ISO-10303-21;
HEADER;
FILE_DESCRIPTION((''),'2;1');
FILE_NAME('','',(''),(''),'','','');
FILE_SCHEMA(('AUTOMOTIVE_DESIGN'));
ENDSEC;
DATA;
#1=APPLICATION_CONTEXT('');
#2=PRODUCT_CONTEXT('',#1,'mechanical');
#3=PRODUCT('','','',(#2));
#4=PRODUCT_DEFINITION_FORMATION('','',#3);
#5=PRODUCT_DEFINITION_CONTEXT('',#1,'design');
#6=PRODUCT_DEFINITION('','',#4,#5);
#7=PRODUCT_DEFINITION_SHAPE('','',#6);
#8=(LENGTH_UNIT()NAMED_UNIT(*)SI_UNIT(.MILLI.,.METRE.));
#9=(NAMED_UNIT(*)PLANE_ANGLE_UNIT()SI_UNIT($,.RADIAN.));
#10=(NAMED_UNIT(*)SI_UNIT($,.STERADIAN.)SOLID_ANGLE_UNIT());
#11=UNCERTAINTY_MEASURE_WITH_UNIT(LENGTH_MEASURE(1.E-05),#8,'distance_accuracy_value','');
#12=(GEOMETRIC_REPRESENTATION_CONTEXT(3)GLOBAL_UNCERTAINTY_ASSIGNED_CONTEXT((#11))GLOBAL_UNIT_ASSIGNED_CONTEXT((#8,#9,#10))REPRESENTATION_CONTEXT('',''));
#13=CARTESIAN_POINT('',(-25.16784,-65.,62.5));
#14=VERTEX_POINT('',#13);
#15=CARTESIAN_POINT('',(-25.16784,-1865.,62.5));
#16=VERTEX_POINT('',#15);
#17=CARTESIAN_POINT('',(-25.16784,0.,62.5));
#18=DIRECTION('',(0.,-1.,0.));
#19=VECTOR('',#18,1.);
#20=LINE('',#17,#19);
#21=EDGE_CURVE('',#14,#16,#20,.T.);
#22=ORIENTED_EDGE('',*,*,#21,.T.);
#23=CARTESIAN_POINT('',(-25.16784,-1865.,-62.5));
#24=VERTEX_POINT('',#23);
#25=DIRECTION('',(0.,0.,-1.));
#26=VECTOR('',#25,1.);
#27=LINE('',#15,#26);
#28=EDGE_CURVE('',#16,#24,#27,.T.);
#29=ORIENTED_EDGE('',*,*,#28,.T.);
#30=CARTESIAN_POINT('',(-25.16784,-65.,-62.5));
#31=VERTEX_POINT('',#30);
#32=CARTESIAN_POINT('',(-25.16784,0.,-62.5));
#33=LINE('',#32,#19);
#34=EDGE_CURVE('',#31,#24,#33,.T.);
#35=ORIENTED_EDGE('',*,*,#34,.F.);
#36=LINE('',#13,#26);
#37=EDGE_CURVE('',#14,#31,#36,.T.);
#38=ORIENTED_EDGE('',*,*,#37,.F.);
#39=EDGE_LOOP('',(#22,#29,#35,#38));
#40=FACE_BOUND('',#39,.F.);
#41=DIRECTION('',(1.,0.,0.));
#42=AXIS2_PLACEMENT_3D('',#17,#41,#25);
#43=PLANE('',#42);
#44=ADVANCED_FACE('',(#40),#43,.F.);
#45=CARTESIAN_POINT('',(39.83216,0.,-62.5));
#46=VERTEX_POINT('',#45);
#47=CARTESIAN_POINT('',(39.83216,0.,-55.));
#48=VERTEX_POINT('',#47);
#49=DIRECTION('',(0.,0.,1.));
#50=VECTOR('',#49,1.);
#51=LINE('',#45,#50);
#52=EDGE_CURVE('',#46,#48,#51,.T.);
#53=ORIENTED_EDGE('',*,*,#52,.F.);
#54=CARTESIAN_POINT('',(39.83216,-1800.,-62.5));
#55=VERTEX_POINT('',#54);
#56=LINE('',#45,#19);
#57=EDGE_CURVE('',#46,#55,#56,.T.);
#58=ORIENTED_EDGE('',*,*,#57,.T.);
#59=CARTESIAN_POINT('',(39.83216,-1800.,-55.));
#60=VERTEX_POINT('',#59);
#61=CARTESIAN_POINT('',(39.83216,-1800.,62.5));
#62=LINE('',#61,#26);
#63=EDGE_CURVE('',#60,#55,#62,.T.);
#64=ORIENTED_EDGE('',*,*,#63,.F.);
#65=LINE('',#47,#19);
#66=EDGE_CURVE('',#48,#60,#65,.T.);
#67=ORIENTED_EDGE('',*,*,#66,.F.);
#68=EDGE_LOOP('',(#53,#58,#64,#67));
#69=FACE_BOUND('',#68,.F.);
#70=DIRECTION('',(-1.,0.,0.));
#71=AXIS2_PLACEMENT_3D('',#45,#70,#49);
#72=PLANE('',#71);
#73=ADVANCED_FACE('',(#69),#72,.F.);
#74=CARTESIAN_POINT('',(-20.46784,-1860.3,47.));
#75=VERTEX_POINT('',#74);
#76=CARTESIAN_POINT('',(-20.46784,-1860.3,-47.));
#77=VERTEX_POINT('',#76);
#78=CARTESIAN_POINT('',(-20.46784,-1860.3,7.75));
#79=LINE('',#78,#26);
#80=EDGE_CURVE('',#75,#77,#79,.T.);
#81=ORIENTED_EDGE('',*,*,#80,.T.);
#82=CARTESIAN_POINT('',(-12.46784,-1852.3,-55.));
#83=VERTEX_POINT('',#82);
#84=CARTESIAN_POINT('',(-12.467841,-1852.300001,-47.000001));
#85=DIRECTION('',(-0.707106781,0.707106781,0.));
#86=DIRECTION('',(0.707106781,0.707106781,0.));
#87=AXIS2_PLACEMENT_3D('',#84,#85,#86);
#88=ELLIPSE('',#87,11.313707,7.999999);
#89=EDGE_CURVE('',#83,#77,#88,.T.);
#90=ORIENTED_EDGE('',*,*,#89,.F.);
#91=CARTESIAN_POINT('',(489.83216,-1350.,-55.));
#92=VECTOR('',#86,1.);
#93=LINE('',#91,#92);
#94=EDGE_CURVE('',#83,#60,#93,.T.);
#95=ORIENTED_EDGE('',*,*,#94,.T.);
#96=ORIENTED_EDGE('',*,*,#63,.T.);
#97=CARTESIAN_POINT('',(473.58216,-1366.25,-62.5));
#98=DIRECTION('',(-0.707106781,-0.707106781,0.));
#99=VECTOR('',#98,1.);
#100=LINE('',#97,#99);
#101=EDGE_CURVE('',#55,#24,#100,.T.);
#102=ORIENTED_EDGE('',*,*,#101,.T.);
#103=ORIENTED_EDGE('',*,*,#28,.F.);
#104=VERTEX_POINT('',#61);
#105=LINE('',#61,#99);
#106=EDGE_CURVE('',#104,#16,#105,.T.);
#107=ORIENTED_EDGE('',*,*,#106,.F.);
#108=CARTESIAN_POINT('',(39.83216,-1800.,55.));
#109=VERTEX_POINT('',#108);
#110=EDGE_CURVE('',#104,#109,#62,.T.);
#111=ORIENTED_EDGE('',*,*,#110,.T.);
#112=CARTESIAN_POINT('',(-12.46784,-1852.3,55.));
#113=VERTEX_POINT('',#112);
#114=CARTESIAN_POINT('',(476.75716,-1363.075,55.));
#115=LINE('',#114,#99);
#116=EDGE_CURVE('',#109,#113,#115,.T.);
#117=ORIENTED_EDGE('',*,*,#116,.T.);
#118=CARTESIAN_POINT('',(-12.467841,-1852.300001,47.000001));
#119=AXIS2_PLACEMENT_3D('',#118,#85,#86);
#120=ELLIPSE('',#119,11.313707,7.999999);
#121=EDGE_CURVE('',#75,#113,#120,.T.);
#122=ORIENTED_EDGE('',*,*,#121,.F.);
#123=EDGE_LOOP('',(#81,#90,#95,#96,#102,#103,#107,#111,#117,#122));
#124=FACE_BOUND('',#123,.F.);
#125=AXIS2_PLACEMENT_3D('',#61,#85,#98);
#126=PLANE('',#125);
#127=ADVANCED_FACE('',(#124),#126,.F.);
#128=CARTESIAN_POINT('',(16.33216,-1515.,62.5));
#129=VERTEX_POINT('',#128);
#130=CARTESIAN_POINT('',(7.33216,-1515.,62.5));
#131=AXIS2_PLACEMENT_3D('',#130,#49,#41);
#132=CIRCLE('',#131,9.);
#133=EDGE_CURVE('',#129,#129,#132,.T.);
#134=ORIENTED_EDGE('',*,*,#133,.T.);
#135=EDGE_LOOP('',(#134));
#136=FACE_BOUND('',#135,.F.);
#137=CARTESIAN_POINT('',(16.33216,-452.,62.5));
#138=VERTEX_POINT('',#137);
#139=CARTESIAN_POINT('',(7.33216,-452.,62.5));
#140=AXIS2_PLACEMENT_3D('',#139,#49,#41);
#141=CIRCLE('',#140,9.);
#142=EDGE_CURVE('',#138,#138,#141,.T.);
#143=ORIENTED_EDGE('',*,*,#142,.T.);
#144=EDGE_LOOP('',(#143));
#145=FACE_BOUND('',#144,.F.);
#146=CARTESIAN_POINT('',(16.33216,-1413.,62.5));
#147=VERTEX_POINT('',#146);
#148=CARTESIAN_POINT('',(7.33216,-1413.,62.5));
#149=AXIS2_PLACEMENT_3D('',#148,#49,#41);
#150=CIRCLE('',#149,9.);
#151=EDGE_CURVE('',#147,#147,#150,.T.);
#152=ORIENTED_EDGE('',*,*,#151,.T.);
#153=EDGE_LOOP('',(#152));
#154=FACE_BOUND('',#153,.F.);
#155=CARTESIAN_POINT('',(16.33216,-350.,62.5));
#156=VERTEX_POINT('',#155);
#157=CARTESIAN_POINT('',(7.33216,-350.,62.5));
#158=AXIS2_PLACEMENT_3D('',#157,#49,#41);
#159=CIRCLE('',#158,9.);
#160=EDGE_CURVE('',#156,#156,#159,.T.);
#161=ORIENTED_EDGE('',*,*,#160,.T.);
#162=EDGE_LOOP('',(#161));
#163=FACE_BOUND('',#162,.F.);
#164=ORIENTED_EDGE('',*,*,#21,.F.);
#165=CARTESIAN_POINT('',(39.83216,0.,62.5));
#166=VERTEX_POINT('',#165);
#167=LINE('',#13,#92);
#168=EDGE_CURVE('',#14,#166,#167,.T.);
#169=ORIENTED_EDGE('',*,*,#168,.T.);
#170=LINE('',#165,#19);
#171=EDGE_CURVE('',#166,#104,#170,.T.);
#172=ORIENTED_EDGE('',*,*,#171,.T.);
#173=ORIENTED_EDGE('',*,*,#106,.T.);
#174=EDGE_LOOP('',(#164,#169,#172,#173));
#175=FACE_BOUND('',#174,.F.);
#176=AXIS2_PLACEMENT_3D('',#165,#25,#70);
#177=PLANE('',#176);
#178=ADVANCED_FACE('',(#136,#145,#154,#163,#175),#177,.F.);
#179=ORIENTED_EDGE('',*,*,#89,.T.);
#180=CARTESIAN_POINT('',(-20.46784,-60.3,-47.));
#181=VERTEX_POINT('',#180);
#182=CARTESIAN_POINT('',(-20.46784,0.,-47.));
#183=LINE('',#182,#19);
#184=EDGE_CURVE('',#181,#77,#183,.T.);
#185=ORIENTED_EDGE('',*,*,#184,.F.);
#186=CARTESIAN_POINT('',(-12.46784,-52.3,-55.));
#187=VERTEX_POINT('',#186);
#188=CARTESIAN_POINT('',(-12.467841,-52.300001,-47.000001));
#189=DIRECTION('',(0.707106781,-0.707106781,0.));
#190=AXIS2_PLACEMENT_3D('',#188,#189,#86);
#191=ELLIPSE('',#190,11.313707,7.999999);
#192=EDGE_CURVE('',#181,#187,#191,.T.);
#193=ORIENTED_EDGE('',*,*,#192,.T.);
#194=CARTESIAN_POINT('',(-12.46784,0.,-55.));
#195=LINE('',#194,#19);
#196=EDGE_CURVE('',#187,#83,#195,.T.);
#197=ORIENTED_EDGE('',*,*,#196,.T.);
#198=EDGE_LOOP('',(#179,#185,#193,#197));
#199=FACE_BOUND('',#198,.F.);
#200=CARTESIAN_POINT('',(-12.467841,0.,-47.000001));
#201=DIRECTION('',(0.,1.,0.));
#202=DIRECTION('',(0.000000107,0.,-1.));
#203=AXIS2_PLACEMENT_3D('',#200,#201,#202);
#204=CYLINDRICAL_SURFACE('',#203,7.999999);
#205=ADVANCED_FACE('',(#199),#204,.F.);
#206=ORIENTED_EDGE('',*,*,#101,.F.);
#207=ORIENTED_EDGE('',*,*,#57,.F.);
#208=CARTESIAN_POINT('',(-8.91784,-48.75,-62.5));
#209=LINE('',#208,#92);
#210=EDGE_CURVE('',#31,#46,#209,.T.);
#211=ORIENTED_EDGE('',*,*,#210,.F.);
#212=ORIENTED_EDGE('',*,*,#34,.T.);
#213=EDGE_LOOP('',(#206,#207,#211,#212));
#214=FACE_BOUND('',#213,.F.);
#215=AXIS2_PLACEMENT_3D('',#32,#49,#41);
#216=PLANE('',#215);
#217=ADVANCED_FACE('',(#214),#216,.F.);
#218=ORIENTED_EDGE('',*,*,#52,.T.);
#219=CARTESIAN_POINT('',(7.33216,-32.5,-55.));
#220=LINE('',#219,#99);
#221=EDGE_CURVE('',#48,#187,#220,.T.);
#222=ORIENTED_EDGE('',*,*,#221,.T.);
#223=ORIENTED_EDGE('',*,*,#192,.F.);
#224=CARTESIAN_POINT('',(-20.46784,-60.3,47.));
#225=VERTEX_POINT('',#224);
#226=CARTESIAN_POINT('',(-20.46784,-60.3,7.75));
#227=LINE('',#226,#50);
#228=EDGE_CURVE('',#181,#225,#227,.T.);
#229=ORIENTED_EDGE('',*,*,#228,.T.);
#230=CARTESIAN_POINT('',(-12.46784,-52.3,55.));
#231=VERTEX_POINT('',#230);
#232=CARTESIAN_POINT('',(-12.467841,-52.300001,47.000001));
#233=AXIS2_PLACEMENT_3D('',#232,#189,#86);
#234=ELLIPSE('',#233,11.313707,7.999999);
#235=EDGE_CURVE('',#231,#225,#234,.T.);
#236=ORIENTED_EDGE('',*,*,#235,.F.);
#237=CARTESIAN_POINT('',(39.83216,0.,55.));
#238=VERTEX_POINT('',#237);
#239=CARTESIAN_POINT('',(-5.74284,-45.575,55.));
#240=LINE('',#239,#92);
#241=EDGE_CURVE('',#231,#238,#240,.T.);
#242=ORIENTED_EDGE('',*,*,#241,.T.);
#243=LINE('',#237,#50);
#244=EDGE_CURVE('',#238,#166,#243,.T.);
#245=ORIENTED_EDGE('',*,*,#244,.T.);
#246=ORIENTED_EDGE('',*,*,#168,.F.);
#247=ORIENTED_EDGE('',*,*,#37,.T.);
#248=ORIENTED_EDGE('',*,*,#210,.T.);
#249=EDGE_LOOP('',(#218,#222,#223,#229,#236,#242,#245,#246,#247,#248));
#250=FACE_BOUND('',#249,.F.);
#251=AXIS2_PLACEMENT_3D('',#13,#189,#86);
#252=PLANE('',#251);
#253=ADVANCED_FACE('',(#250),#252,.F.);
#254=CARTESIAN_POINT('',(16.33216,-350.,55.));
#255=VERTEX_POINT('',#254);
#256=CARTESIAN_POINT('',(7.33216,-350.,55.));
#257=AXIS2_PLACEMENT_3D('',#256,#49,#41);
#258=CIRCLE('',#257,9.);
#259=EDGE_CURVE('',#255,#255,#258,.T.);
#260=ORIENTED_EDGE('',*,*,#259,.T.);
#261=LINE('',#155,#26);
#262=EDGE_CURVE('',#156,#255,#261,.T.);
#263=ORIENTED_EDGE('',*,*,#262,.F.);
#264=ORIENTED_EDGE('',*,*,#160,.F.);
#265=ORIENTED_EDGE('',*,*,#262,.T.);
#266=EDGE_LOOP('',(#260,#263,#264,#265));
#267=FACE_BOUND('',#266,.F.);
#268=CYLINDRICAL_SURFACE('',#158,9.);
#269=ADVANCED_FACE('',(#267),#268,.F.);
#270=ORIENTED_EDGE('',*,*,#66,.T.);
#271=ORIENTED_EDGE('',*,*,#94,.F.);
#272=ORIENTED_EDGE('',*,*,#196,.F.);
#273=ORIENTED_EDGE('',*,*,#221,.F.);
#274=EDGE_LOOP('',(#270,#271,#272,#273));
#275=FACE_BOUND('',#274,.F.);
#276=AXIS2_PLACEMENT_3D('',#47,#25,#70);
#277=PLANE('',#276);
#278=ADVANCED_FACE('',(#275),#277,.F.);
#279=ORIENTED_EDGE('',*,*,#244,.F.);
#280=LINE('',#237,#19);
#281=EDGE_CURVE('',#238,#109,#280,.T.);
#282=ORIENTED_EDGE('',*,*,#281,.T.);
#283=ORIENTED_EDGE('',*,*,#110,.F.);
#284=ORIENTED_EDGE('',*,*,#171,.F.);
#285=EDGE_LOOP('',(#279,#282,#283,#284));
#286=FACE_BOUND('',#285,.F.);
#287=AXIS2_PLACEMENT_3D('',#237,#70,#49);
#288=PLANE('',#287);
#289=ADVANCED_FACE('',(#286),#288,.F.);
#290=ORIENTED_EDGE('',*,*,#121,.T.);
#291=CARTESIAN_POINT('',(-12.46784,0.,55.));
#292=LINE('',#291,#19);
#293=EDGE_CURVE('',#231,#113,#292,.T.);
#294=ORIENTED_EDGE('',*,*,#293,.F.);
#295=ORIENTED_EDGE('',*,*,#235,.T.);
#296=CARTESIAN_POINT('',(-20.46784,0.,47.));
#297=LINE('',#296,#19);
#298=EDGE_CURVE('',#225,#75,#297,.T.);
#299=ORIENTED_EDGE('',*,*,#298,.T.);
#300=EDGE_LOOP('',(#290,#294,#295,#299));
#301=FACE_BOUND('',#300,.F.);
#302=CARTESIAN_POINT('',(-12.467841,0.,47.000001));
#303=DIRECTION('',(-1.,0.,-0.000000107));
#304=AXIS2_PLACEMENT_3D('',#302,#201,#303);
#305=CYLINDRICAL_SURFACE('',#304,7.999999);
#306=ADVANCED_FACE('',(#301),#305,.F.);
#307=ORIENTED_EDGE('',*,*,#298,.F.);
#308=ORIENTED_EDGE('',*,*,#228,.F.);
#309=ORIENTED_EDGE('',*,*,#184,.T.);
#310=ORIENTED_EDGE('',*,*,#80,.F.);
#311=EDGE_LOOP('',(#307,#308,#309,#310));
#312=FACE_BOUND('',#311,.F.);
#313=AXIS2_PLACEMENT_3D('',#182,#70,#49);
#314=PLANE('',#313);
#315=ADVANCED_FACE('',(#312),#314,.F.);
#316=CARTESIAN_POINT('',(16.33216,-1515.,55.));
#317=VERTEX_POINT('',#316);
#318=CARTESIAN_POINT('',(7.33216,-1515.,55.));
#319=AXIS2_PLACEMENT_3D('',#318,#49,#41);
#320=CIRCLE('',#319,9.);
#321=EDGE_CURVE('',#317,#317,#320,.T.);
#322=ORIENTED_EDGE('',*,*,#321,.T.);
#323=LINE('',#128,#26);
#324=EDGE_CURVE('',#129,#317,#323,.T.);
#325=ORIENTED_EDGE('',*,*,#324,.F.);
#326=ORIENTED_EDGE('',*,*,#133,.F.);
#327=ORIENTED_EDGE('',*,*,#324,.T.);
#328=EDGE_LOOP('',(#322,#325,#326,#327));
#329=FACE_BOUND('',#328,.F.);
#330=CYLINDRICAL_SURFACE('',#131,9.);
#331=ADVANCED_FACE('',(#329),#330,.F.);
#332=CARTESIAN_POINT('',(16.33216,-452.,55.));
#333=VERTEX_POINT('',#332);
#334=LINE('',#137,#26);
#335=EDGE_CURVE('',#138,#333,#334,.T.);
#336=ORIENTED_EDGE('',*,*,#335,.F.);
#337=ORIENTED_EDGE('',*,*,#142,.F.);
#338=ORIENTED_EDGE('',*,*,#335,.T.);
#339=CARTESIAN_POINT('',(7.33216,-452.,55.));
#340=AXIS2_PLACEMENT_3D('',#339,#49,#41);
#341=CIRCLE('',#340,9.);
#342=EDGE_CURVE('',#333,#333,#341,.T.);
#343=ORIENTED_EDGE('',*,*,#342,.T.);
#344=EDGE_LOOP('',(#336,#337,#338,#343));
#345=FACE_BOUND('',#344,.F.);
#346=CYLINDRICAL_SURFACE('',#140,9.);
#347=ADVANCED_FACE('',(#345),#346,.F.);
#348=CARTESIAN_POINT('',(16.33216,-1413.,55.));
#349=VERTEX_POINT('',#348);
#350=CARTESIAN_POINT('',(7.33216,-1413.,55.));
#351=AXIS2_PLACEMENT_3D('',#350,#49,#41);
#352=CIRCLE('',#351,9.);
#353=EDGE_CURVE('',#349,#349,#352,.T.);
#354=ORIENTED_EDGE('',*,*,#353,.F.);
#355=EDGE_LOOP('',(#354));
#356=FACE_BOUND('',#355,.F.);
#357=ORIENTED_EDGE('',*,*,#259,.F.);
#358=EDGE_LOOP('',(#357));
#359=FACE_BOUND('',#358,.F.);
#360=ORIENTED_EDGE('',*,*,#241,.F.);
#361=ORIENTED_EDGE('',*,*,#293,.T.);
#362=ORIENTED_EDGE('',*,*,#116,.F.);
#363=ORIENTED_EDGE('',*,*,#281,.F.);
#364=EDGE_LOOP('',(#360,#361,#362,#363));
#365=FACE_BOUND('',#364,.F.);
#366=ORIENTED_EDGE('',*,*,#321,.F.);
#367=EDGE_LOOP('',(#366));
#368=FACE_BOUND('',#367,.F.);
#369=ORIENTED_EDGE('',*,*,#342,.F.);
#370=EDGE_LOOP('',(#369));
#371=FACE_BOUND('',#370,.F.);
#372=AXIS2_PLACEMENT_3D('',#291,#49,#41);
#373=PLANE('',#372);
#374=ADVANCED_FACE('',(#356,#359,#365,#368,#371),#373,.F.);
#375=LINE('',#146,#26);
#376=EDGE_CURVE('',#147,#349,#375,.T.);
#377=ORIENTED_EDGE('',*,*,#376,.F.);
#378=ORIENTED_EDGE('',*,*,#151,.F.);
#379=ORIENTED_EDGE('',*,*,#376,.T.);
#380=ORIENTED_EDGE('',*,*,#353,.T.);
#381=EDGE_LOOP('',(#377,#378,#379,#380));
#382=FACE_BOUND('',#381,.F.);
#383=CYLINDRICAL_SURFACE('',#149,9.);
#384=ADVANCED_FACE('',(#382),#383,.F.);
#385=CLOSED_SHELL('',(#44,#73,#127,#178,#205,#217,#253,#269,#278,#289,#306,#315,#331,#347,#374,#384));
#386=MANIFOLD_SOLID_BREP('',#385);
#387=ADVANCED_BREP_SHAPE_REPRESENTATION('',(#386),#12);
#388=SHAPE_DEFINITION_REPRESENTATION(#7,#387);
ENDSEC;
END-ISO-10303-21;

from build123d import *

# Parameters (mm, degrees)
F1_DEPTH = 1865
F3_DEPTH = 125.001
F4_R     = 9
F5_DEPTH = 7.5


with BuildPart() as f1:
    # F0 (on Front) → F1 (new body)
    with BuildSketch(Plane.XZ):
        with BuildLine():
            Line((-25.16784, 62.5), (-25.16784, -62.5))
            Line((-25.16784, -62.5), (39.83216, -62.5))
            Line((39.83216, -62.5), (39.83216, -55))
            Line((39.83216, -55), (-12.46784, -55))
            ThreePointArc((-12.46784, -55), (-18.124695, -52.656854), (-20.46784, -47))
            Line((-20.46784, -47), (-20.46784, 47))
            ThreePointArc((-20.46784, 47), (-18.124695, 52.656854), (-12.46784, 55))
            Line((-12.46784, 55), (39.83216, 55))
            Line((39.83216, 55), (39.83216, 62.5))
            Line((39.83216, 62.5), (-25.16784, 62.5))
        make_face()
    extrude(amount=F1_DEPTH)

    # F2 (on face) → F3 (cut, through all)
    with BuildSketch(Plane.XY.offset(62.5)):
        Polygon((39.83216, -1800), (-25.16784, -1865), (39.83216, -1865), align=None)
        Polygon((39.83216, 0), (-25.16784, 0), (-25.16784, -65), align=None)
    extrude(amount=-F3_DEPTH, mode=Mode.SUBTRACT)

    # F4 (on face) → F5 (cut, through all)
    with BuildSketch(Plane.XY.offset(62.5)):
        with Locations((7.33216, -350)):
            Circle(F4_R)
        with Locations((7.33216, -452)):
            Circle(F4_R)
        with Locations((7.33216, -1515)):
            Circle(F4_R)
        with Locations((7.33216, -1413)):
            Circle(F4_R)
    extrude(amount=-F5_DEPTH, mode=Mode.SUBTRACT)


solid = f1.part
